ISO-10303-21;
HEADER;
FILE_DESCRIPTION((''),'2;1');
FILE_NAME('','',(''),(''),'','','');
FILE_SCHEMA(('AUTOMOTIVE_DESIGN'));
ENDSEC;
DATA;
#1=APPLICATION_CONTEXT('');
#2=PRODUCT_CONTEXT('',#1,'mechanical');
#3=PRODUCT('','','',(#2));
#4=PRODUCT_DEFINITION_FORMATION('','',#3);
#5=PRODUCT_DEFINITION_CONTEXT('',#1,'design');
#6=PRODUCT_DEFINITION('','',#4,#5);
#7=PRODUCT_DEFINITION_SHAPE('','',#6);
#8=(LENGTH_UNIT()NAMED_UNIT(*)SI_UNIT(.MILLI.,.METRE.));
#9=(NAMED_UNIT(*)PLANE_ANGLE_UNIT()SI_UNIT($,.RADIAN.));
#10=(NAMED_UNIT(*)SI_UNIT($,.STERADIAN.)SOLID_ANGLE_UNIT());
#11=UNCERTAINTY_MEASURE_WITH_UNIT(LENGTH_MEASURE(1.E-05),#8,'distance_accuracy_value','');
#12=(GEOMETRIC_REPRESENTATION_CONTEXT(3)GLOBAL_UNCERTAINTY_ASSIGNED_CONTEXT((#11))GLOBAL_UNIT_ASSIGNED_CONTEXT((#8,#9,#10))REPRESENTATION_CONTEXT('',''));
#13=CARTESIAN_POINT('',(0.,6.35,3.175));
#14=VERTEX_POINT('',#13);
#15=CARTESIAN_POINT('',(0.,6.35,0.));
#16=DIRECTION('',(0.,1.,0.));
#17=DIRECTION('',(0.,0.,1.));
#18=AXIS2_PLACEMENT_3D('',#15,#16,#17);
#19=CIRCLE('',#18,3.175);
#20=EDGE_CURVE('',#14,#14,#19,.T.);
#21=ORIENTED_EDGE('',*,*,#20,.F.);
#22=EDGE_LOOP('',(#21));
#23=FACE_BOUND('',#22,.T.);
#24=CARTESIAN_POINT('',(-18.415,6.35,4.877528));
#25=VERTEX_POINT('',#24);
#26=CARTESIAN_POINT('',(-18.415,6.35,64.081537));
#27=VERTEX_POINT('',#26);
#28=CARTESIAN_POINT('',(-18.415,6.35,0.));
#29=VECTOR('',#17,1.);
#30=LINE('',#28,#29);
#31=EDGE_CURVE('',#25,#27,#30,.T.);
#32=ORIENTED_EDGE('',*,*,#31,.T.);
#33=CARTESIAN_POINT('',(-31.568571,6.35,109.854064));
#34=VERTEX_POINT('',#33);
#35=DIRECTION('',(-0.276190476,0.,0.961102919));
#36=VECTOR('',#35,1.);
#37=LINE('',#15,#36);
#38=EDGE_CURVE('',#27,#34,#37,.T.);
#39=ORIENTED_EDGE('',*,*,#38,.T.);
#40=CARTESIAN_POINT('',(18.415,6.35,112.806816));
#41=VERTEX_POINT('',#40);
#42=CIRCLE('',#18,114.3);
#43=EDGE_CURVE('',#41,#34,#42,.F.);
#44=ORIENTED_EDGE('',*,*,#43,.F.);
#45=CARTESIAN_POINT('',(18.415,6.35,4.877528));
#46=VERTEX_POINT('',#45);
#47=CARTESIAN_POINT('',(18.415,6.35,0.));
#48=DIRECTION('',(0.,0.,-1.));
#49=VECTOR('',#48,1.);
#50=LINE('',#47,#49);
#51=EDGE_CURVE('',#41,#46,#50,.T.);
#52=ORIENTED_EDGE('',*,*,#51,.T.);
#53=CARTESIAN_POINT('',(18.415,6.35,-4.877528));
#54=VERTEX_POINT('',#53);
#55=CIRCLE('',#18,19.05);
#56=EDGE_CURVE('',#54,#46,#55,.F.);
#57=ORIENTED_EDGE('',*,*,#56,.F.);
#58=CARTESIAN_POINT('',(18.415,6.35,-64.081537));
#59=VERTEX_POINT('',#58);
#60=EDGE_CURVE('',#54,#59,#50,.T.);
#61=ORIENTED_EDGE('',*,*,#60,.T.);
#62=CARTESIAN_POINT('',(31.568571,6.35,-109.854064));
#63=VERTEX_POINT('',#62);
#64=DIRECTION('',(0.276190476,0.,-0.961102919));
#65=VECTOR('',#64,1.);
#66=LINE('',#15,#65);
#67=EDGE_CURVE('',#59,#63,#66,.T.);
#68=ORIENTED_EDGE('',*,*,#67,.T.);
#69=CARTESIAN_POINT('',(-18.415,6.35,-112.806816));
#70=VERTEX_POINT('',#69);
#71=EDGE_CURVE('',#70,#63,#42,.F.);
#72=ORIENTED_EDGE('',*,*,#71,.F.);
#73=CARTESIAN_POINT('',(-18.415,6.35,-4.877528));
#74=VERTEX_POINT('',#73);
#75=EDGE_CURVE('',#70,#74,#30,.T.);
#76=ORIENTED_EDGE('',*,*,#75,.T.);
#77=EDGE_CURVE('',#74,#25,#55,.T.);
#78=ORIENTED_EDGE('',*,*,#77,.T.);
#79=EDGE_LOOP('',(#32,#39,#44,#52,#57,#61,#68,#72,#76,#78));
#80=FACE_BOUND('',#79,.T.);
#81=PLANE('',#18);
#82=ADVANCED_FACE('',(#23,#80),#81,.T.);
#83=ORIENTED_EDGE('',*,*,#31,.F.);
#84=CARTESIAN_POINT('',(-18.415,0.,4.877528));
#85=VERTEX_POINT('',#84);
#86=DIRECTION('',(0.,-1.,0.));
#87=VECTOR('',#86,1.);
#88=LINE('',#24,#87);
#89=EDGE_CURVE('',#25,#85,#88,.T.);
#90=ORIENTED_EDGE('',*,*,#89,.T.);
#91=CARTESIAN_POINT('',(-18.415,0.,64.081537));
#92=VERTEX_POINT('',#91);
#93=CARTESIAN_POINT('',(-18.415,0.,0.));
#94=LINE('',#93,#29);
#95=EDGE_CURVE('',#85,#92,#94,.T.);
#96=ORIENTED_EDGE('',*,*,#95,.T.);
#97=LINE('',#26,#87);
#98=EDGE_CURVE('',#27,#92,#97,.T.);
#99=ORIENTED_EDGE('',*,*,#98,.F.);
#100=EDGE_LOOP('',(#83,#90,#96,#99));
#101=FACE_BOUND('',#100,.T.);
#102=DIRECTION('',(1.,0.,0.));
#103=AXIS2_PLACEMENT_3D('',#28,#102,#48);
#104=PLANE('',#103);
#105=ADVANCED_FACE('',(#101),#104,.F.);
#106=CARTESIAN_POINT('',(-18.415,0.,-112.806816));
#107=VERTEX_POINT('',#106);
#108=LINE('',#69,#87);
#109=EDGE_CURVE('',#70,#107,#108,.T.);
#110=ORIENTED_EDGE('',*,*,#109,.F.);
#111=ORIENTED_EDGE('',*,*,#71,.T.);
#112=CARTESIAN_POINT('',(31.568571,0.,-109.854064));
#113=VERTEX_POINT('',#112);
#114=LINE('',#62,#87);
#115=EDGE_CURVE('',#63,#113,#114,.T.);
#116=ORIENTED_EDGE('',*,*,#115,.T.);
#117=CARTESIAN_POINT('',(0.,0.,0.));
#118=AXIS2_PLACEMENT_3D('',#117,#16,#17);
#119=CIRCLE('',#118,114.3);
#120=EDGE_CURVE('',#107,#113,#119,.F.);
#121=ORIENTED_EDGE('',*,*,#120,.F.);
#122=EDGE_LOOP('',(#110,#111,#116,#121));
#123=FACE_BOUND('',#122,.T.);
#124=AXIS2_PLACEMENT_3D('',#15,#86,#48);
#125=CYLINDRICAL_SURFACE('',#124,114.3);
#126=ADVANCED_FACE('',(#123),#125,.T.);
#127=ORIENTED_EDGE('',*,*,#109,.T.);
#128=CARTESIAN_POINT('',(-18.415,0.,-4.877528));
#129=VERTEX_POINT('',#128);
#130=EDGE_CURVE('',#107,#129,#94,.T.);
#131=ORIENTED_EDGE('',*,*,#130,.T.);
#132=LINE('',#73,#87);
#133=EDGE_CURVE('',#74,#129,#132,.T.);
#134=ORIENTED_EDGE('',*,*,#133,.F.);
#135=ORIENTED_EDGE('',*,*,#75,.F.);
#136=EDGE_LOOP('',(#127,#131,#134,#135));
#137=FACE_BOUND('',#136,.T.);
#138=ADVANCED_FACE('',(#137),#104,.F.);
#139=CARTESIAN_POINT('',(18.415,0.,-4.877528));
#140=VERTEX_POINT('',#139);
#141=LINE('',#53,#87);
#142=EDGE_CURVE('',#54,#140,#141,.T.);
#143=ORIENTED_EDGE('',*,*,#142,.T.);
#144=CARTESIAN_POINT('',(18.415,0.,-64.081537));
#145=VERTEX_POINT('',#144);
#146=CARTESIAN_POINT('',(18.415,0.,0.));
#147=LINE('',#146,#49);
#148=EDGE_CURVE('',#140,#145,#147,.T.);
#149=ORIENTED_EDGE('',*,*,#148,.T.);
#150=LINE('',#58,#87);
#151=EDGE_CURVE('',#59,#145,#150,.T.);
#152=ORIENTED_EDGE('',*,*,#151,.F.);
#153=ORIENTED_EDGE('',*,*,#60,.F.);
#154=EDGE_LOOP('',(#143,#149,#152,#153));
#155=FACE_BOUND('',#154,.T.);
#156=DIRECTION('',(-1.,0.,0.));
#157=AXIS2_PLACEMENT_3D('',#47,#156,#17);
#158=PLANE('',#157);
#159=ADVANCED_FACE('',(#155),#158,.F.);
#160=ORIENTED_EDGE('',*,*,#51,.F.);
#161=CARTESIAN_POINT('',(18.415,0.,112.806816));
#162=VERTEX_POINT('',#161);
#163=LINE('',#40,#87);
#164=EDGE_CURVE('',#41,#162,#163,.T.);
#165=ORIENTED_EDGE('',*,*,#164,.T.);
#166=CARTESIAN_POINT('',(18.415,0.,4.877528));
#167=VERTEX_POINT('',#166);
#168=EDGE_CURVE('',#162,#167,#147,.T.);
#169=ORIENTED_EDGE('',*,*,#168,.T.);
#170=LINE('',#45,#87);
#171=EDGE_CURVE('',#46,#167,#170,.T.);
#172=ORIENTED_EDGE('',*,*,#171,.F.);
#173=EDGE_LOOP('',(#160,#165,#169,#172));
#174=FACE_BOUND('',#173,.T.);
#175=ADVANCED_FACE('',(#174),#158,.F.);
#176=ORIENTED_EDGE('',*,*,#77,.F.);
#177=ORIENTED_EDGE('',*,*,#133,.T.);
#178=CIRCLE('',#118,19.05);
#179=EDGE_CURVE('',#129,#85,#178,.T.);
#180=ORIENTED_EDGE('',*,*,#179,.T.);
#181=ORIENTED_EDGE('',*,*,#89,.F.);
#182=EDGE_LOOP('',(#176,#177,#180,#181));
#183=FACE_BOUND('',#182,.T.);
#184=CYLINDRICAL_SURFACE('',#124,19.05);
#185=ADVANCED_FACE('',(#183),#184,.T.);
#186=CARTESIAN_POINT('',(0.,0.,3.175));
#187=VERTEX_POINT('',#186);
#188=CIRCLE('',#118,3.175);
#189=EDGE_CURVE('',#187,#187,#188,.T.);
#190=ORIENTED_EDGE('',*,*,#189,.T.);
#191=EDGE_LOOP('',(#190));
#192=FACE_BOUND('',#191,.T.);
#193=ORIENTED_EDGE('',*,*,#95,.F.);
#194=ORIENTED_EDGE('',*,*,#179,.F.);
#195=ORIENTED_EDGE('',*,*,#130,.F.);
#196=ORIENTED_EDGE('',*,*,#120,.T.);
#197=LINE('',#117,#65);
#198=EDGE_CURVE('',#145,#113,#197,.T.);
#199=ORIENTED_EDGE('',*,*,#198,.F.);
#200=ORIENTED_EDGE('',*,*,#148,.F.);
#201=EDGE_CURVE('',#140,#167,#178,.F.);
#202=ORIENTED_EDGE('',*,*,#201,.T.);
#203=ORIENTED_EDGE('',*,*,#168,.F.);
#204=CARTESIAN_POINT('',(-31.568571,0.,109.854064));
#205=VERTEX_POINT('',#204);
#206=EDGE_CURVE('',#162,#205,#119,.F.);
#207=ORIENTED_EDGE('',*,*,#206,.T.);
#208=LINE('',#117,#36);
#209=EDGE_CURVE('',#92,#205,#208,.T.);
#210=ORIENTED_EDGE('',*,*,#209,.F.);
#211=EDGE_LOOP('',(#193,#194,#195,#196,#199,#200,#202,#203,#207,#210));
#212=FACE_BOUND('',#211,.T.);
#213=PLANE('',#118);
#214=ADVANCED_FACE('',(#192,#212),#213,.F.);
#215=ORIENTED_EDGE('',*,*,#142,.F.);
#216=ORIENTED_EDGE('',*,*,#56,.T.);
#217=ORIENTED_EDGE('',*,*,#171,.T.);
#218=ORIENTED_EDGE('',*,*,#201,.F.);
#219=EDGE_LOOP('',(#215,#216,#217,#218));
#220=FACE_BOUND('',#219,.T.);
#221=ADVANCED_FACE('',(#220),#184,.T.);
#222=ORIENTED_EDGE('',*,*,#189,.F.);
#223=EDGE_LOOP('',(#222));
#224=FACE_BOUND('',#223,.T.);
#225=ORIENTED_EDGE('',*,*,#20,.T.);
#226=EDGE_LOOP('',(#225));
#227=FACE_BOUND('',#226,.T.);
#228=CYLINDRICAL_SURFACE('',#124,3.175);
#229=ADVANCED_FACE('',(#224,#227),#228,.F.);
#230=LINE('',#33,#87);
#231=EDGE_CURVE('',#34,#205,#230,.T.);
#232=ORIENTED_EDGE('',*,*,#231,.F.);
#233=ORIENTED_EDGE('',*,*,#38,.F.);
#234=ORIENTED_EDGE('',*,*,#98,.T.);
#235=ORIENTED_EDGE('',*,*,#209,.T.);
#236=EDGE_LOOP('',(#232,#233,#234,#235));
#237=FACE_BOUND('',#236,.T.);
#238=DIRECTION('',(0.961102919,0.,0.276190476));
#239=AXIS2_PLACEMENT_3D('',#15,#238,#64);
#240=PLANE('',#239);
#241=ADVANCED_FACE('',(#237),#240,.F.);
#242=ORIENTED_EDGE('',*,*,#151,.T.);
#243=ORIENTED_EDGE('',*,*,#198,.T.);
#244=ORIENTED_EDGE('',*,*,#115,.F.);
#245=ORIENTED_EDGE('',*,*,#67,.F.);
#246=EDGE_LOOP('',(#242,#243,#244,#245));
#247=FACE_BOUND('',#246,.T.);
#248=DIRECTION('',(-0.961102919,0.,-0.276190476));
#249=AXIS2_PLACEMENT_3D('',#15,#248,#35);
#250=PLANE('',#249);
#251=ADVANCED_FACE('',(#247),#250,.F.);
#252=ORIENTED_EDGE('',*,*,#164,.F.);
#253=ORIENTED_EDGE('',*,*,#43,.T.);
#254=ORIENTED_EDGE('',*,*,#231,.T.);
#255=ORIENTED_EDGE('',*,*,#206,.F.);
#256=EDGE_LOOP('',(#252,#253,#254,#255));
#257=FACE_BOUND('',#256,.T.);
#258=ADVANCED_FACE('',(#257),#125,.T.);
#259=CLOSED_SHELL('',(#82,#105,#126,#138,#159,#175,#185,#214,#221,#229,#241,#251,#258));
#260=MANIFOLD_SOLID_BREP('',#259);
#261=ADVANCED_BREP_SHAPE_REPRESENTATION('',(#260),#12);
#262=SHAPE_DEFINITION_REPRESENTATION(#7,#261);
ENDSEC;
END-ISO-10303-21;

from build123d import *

# Parameters (mm, degrees)
SKETCH1_R           = 3.175
BOSS_EXTRUDE1_DEPTH = 6.35


with BuildPart() as part:
    # Sketch1 → Boss-Extrude1 (new body)
    with BuildSketch(Plane(origin=(0, 0, 0), x_dir=(1, 0, 0), z_dir=(0, 1, 0))):
        with BuildLine():
            ThreePointArc((18.415, 4.87752755), (19.05, 0), (18.415, -4.87752755))
            Line((18.415, -4.87752755), (18.415, -112.806816173))
            ThreePointArc((18.415, -112.806816173), (-6.740459718, -114.101078885), (-31.568571429, -109.854063639))
            Line((-31.568571429, -109.854063639), (-18.415, -64.081537123))
            Line((-18.415, -64.081537123), (-18.415, -4.87752755))
            ThreePointArc((-18.415, -4.87752755), (-19.05, 0), (-18.415, 4.87752755))
            Line((-18.415, 4.87752755), (-18.415, 112.806816173))
            ThreePointArc((-18.415, 112.806816173), (6.740459718, 114.101078885), (31.568571429, 109.854063639))
            Line((31.568571429, 109.854063639), (18.415, 64.081537123))
            Line((18.415, 64.081537123), (18.415, 4.87752755))
        make_face()
        with Locations(Location((0, 0, 0), (0, 0, 270))):
            Circle(SKETCH1_R, mode=Mode.SUBTRACT)
    extrude(amount=BOSS_EXTRUDE1_DEPTH)


solid = part.part
